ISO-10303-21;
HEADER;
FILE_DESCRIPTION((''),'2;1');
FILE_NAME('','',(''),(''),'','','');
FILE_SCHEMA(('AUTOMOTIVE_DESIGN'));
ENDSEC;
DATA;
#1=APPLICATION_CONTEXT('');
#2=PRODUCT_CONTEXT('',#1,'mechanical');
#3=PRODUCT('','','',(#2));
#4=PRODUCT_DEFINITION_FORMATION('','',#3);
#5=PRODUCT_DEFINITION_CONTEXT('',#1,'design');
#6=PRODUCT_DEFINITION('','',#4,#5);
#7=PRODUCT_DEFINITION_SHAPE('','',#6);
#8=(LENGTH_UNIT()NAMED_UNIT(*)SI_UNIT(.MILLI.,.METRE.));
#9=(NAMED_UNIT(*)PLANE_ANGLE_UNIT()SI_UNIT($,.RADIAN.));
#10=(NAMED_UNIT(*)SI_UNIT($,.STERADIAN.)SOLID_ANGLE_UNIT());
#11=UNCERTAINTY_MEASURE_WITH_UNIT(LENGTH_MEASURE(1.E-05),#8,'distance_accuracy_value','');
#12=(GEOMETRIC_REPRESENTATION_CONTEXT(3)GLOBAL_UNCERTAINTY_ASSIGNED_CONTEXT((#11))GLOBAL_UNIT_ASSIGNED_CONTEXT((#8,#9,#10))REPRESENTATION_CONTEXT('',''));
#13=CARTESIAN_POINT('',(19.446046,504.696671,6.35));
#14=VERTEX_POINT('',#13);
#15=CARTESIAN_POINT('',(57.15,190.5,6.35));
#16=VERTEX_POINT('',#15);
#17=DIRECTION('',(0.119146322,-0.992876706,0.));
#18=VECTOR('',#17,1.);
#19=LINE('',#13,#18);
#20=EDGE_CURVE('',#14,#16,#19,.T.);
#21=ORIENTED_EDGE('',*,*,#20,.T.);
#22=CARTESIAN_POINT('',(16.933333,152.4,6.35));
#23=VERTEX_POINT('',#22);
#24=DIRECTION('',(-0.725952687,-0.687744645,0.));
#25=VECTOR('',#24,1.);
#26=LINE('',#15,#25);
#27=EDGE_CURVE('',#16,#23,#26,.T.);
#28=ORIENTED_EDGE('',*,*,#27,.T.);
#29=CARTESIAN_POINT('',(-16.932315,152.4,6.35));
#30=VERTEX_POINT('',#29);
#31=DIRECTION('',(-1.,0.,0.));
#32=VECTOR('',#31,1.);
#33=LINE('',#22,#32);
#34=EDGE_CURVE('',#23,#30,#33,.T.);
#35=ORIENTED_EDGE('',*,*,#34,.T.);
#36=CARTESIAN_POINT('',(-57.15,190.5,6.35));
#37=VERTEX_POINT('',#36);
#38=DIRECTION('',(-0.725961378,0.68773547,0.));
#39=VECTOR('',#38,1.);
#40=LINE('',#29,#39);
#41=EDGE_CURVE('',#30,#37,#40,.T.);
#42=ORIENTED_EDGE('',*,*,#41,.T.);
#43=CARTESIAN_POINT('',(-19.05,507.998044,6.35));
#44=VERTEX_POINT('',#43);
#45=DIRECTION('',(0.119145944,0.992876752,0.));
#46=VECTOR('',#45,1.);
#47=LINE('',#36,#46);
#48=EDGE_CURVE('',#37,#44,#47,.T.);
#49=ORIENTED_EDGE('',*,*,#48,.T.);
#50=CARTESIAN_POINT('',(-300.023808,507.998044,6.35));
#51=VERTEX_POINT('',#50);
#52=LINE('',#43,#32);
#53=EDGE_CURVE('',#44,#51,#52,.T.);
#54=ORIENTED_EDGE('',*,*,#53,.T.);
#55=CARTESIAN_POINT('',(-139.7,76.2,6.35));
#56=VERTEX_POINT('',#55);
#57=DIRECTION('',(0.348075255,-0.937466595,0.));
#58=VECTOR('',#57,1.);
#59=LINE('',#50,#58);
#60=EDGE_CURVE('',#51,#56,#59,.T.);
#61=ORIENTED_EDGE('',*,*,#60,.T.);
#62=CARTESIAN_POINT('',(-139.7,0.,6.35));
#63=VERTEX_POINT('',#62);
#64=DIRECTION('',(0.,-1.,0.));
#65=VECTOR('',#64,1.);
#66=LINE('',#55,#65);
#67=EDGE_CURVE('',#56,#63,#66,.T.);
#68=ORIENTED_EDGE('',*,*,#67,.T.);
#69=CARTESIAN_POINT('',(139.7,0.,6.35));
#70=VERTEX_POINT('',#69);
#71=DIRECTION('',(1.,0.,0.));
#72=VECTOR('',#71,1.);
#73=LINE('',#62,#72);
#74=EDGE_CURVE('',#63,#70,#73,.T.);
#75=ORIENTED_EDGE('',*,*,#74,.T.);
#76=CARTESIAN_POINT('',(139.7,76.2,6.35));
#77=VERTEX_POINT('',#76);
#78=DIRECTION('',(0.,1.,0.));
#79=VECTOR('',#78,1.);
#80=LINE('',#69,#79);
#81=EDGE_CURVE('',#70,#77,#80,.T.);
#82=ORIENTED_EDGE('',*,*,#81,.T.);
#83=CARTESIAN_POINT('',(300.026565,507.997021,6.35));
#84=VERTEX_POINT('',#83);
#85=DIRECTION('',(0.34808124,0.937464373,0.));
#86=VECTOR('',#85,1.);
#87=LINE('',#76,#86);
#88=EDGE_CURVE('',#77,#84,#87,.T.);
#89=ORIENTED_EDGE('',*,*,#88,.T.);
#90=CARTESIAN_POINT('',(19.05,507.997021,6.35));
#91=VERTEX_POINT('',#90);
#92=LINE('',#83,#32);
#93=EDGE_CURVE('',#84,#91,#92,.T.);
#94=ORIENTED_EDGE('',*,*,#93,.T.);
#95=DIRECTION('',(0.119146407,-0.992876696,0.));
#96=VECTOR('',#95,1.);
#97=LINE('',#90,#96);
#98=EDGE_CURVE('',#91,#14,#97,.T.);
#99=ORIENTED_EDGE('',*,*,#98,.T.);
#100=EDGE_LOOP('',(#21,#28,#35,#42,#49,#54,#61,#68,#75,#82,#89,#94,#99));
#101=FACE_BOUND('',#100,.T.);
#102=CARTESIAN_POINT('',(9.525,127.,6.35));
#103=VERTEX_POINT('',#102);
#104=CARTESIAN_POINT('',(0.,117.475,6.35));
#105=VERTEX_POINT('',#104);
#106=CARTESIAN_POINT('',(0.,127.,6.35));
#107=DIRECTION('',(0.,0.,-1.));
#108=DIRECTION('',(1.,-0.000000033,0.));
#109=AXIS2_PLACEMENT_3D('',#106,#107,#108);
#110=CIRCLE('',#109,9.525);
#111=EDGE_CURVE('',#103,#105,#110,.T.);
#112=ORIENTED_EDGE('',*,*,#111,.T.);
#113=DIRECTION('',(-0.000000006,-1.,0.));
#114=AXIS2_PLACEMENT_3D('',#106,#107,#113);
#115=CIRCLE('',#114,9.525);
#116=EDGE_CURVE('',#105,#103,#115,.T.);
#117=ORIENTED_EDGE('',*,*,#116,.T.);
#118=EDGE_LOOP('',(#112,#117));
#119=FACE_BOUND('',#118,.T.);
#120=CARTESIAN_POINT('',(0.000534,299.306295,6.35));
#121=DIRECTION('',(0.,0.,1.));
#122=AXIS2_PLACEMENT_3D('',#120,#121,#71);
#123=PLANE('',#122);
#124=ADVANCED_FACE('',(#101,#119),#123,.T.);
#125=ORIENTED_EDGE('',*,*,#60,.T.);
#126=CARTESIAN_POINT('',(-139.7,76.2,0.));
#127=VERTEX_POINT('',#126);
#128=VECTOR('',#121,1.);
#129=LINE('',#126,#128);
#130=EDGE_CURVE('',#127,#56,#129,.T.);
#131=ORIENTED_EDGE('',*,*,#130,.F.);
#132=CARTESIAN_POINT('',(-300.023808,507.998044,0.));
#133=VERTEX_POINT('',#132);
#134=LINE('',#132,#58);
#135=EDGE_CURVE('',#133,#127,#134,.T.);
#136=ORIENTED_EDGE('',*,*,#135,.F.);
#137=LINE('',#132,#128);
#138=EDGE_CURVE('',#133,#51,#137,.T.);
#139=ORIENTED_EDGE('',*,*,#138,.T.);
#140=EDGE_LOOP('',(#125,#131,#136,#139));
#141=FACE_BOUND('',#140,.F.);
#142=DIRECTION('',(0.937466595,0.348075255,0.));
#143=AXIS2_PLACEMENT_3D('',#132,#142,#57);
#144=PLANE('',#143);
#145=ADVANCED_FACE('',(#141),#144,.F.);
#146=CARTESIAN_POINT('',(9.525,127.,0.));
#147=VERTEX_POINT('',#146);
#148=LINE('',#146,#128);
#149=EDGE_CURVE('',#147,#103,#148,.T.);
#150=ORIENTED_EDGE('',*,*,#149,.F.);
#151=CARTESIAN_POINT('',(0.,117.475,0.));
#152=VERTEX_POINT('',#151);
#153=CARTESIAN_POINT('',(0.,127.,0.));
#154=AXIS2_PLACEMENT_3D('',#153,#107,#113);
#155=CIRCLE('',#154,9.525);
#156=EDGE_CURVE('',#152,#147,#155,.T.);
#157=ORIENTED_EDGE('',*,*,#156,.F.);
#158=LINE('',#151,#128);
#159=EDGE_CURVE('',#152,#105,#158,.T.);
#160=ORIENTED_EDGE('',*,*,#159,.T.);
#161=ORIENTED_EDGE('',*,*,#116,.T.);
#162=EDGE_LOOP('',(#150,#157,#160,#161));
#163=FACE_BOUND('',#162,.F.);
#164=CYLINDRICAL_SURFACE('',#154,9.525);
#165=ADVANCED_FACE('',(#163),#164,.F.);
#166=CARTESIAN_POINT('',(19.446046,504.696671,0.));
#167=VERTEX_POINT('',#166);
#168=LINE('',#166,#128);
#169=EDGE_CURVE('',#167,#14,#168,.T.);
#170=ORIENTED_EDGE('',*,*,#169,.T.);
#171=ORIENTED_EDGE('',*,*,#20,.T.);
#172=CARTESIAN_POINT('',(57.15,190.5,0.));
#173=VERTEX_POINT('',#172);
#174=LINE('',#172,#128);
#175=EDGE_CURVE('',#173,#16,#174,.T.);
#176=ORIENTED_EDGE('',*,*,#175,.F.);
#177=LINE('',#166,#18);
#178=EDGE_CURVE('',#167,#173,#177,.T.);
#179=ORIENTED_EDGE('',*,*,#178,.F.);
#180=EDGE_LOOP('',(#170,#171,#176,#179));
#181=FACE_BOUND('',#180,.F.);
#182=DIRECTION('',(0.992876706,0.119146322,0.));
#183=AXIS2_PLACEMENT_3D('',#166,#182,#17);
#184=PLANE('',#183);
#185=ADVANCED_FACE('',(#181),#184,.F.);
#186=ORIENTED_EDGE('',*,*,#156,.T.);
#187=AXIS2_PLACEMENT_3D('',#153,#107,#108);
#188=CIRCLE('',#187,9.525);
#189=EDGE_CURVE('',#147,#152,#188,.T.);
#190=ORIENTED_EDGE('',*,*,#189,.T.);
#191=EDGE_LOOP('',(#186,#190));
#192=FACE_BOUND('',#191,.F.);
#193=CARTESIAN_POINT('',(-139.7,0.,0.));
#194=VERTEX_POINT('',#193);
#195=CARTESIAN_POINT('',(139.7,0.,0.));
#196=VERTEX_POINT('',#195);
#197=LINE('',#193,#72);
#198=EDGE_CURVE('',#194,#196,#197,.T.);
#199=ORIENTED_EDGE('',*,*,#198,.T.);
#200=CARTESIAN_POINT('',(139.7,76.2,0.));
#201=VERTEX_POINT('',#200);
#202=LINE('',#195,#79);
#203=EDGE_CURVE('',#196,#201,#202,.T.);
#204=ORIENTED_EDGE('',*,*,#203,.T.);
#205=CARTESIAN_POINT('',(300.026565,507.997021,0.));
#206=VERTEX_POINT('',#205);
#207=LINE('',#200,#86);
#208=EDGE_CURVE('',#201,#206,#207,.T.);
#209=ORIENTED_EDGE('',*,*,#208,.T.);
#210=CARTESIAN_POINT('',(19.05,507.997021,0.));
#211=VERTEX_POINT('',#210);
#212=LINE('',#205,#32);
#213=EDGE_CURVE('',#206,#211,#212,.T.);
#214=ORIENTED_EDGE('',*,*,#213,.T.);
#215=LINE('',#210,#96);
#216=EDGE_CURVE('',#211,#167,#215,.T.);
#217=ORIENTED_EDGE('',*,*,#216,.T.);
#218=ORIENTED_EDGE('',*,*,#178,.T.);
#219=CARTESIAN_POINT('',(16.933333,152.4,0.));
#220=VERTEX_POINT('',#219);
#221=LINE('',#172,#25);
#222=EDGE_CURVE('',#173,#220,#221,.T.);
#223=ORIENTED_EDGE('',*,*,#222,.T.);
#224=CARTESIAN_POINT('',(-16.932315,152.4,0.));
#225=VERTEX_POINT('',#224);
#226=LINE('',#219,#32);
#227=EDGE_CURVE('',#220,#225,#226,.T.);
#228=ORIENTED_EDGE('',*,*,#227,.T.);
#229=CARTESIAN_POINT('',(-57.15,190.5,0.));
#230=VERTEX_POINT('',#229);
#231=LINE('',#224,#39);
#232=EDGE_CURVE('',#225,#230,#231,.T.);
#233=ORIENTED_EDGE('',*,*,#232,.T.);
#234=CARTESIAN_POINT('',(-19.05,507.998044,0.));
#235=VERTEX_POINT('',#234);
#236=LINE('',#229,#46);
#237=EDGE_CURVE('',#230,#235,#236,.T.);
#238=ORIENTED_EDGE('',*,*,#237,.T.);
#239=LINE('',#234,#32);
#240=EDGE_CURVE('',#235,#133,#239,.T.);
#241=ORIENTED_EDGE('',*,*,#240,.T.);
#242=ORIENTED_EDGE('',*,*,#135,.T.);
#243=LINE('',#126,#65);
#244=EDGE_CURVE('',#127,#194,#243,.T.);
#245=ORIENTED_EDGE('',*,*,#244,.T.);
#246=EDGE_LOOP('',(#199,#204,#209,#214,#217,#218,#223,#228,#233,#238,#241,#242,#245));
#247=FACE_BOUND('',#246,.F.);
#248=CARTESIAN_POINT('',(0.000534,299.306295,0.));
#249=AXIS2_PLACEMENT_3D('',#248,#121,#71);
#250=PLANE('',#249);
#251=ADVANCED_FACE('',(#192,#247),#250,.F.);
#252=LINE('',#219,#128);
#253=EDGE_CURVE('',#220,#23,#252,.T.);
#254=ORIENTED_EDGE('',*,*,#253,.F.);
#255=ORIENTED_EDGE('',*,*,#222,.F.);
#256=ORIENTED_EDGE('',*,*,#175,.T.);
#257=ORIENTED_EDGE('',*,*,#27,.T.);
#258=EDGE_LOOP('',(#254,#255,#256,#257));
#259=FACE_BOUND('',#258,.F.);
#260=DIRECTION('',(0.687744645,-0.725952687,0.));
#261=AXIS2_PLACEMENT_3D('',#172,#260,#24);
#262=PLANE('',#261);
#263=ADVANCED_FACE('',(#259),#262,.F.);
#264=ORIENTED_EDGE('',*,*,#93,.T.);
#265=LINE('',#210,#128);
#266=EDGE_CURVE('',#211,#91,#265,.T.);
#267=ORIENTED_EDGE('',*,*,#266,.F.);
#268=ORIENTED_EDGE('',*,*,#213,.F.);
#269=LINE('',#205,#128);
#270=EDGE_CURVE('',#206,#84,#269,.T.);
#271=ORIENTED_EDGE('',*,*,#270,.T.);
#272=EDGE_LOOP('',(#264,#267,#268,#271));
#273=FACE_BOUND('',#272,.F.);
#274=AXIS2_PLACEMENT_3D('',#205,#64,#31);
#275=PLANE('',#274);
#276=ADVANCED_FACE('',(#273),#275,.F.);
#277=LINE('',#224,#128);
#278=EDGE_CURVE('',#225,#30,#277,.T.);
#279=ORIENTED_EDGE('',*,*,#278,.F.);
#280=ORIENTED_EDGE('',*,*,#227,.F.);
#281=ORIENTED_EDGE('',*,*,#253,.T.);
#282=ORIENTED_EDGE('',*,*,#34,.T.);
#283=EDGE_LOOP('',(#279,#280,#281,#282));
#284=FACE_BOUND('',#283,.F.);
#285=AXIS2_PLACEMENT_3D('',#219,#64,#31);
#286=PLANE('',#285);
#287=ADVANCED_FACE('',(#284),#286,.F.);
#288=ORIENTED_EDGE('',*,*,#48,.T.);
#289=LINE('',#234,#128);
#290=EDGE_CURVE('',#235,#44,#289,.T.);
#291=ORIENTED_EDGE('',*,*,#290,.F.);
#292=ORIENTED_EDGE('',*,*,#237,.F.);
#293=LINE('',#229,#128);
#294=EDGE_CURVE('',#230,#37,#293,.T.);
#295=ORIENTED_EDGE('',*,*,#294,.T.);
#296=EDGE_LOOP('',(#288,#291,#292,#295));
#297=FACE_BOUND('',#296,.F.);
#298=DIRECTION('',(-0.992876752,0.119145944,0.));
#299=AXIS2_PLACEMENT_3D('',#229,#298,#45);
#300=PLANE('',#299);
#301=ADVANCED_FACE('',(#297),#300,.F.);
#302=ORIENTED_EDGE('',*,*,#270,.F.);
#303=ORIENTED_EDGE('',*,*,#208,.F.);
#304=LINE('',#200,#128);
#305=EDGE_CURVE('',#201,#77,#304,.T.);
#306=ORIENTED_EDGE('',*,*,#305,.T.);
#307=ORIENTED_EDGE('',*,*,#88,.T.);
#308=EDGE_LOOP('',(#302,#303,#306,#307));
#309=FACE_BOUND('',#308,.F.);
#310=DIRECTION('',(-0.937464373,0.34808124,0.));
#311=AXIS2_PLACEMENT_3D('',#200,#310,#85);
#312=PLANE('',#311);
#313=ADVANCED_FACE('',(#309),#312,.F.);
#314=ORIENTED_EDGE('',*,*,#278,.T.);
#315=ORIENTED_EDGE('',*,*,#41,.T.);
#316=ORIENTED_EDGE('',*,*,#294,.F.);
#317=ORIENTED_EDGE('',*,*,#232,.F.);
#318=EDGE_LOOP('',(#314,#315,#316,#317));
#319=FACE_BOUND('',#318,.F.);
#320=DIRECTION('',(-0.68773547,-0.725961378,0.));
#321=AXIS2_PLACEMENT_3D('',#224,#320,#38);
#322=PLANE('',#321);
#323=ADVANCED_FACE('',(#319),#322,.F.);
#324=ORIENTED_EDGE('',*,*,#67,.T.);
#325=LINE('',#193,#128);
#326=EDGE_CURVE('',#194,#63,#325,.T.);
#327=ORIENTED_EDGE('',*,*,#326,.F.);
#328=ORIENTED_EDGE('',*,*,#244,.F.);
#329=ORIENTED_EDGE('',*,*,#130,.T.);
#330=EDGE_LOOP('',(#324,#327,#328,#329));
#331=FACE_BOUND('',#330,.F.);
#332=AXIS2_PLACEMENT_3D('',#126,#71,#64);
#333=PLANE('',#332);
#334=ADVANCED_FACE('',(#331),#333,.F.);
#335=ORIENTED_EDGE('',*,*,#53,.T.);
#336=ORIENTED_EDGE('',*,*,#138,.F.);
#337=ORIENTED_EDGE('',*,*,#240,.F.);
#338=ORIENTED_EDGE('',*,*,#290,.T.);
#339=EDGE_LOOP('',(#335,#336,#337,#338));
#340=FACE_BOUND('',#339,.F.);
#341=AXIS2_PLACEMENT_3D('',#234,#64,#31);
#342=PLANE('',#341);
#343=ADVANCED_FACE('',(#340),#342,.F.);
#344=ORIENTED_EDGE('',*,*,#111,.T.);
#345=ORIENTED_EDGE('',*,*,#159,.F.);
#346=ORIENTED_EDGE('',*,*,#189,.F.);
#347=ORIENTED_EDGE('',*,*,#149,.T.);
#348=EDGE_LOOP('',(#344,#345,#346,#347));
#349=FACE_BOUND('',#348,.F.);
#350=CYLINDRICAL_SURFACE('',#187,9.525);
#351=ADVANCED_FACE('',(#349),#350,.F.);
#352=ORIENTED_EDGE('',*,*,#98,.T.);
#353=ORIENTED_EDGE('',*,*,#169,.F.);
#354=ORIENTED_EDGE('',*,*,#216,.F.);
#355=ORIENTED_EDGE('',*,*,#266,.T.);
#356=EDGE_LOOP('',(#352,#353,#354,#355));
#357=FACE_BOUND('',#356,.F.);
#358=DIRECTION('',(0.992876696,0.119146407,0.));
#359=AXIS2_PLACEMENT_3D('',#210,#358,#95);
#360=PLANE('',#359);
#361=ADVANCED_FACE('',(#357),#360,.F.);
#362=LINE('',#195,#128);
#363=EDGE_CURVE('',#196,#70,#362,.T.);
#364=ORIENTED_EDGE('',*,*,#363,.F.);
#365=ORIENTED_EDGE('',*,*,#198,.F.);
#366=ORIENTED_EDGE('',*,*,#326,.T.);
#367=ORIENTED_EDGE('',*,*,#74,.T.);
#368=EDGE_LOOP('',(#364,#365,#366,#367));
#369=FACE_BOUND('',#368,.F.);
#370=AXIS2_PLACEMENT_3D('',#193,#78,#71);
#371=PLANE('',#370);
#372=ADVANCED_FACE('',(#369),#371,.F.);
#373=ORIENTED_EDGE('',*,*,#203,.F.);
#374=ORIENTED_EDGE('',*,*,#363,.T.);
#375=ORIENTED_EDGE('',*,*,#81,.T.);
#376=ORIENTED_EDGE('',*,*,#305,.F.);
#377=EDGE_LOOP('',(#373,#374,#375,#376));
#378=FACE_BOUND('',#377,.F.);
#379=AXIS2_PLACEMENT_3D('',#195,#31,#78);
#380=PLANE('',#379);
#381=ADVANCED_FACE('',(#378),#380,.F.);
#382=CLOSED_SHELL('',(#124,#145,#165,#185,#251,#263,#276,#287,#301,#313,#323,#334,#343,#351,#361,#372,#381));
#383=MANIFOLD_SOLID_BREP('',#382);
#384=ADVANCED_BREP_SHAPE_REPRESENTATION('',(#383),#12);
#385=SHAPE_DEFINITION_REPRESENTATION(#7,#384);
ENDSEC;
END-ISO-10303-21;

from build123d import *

# Parameters (mm, degrees)
F1_DEPTH = 6.35


with BuildPart() as f1:
    # F0 (on Top) → F1 (new body)
    with BuildSketch(Plane.XY):
        Polygon((-139.7, 0), (0, 0), (139.7, 0), (139.7, 76.2), (300.026565, 507.997021), (19.052757, 507.997021), (19.05, 507.997021), (19.446046, 504.696671), (57.15, 190.5), (16.933333, 152.4), (0, 152.4), (-16.932315, 152.4), (-57.15, 190.5), (-19.05, 507.998044), (-300.023808, 507.998044), (-139.7, 76.2), align=None)
        with BuildLine():
            ThreePointArc((9.525, 127), (6.735192, 120.264808), (0, 117.475))
            ThreePointArc((0, 117.475), (-6.735192, 133.735192), (9.525, 127))
        make_face(mode=Mode.SUBTRACT)
    extrude(amount=F1_DEPTH)


solid = f1.part
